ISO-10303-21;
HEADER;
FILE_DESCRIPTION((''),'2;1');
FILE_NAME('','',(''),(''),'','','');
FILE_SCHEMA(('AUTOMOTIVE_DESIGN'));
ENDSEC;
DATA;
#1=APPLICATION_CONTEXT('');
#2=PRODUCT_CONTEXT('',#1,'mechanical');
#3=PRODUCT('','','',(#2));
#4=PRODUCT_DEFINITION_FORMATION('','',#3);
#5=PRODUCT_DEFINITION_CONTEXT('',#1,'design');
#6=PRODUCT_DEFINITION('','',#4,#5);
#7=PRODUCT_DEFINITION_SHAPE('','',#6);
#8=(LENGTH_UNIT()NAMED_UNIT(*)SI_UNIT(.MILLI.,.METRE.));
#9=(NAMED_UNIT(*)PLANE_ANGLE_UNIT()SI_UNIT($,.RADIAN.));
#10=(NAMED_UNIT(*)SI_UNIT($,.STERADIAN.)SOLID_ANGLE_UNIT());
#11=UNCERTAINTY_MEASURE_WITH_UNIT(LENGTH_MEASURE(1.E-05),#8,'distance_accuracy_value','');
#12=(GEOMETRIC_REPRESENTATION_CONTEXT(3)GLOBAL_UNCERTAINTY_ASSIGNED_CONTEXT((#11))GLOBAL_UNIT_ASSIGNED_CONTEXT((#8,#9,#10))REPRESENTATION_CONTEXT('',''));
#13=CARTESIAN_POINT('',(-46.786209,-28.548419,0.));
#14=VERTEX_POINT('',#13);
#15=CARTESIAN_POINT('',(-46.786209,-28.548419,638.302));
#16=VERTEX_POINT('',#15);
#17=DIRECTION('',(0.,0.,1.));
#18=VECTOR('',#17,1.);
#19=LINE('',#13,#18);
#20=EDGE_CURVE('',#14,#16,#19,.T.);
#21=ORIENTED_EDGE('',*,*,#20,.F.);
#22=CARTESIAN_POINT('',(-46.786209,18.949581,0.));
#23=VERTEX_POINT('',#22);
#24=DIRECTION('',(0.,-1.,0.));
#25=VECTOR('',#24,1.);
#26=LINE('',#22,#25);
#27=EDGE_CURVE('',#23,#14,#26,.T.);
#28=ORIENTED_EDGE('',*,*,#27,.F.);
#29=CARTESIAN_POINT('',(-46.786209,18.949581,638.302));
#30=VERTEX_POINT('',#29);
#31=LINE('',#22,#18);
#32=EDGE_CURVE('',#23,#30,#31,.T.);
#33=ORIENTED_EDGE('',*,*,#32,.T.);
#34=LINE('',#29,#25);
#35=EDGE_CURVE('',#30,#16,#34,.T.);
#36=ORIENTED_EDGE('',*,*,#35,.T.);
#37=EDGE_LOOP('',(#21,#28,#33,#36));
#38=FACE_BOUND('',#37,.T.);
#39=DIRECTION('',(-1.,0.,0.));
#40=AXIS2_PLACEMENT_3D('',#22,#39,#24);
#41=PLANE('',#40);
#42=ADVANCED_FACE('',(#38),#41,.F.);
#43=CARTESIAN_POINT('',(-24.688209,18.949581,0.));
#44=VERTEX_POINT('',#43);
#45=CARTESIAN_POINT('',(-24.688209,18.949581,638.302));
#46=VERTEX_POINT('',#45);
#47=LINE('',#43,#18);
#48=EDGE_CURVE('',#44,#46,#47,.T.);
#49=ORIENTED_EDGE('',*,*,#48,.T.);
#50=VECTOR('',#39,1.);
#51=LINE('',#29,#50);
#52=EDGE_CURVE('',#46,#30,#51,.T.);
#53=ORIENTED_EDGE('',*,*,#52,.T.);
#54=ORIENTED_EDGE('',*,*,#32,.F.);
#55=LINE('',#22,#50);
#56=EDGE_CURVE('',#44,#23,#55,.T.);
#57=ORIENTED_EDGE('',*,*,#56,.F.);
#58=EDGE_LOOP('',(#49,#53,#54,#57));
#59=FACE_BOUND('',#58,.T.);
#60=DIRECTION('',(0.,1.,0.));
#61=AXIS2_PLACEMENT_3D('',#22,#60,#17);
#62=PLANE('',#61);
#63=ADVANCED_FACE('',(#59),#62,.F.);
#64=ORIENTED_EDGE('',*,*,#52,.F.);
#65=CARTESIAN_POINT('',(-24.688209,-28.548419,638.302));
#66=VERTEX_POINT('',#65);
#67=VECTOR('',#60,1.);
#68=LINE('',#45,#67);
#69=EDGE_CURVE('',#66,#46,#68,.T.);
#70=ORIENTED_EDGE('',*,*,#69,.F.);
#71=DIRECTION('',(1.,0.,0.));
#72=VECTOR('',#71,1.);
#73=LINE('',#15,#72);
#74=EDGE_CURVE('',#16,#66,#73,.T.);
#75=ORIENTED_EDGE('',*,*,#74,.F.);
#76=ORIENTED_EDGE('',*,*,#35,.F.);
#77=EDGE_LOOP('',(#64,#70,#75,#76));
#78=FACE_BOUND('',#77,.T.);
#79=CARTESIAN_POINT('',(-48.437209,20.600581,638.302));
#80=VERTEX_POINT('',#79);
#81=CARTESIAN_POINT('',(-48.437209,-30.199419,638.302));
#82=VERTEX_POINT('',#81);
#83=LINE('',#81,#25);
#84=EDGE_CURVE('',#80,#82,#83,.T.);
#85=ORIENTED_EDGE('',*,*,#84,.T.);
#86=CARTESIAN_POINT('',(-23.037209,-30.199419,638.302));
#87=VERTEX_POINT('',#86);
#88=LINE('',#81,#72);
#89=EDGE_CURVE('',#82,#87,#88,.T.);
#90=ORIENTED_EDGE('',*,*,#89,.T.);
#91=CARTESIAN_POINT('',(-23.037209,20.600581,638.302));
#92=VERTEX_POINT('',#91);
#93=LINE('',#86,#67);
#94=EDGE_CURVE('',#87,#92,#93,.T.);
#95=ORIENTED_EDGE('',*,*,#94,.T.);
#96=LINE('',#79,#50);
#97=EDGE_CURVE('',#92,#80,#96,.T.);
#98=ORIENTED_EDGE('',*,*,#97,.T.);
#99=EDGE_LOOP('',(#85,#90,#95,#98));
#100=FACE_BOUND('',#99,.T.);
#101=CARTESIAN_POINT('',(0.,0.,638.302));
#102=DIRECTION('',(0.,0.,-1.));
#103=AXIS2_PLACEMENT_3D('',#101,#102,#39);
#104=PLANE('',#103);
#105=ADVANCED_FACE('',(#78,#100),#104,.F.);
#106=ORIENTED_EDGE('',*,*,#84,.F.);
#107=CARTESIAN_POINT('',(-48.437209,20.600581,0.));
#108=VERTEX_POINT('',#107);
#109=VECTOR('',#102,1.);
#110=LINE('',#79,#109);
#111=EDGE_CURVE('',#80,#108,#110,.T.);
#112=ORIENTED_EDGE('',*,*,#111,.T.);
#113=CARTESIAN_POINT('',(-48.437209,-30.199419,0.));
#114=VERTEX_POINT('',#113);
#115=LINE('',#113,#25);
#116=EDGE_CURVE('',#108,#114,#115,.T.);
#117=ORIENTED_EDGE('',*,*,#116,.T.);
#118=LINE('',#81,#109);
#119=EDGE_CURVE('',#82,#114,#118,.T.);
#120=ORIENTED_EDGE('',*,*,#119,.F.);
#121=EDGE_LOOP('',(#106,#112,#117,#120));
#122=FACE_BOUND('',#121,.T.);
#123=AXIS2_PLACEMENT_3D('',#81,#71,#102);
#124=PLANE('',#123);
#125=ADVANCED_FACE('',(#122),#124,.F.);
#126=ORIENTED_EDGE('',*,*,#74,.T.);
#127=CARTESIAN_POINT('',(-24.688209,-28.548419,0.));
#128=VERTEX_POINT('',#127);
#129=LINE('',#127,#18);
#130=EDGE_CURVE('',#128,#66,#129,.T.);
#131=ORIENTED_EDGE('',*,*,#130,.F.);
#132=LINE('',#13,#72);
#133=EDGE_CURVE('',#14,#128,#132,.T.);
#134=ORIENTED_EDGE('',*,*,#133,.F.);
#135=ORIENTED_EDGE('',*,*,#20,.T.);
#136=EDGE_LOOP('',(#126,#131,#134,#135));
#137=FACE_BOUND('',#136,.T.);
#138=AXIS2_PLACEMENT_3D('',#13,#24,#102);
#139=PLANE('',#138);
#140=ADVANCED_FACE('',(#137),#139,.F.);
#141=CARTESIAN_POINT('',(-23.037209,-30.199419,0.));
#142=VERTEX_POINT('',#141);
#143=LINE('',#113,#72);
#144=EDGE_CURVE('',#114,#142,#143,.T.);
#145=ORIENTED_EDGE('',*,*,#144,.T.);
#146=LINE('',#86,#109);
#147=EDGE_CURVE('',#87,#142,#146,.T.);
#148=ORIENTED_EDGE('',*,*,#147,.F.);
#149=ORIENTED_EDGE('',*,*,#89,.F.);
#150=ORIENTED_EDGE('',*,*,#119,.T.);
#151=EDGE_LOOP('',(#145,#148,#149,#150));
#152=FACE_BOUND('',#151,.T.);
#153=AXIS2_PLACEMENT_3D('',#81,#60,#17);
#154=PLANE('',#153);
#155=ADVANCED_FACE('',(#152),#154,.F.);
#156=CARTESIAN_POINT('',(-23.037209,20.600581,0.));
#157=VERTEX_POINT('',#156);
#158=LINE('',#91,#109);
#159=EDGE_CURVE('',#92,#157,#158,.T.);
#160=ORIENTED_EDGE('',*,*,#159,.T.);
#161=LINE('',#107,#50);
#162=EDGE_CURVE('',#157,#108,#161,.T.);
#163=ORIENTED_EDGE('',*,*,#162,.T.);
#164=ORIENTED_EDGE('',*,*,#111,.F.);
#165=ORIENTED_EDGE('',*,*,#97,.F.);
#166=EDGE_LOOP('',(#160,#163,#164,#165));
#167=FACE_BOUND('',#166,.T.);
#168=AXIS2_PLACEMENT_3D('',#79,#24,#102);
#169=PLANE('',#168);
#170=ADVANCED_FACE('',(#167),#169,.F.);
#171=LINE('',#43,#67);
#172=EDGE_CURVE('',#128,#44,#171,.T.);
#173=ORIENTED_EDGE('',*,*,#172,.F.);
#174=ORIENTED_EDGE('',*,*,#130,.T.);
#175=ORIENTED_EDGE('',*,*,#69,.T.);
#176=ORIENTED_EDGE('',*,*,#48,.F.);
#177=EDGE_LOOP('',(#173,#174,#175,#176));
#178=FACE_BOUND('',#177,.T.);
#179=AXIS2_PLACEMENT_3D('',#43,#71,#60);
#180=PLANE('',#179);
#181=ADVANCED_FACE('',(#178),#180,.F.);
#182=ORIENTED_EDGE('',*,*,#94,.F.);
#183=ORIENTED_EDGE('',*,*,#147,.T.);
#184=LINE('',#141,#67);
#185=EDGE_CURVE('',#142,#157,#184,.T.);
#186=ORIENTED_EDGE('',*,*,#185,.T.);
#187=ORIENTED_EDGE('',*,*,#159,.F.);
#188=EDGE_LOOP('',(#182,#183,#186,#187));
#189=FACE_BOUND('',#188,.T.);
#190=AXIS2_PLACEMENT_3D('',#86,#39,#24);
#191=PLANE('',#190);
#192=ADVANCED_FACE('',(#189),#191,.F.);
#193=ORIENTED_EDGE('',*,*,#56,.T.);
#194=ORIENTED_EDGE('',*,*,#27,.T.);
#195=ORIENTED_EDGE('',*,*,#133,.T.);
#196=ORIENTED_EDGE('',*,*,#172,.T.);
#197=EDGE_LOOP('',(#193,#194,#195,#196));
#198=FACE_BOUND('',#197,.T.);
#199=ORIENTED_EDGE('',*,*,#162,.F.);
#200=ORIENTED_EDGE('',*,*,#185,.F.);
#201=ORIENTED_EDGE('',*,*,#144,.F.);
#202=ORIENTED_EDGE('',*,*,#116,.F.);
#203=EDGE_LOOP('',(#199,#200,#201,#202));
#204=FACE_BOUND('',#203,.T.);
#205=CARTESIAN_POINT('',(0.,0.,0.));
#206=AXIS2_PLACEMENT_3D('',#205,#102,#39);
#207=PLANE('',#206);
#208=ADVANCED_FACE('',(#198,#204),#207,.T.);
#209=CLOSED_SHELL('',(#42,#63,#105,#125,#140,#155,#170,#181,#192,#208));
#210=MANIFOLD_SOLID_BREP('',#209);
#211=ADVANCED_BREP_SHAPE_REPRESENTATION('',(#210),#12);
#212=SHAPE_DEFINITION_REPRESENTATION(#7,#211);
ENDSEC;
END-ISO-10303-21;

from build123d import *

# Parameters (mm, degrees)
SKETCH1_W           = 25.4
SKETCH1_H           = 50.8
BOSS_EXTRUDE1_DEPTH = 638.302
SKETCH2_W           = 22.098
SKETCH2_H           = 47.498
CUT_EXTRUDE1_DEPTH  = 641.849133052


with BuildPart() as part:
    # Sketch1 → Boss-Extrude1 (new body)
    with BuildSketch(Plane.XY):
        with Locations((-35.737209302, -4.799418605)):
            Rectangle(SKETCH1_W, SKETCH1_H)
    extrude(amount=BOSS_EXTRUDE1_DEPTH)

    # Sketch2 → Cut-Extrude1 (cut, through all)
    with BuildSketch(Plane.XY.offset(638.302)):
        with Locations((-35.737209302, -4.799418605)):
            Rectangle(SKETCH2_W, SKETCH2_H)
    extrude(amount=-CUT_EXTRUDE1_DEPTH, mode=Mode.SUBTRACT)


solid = part.part
